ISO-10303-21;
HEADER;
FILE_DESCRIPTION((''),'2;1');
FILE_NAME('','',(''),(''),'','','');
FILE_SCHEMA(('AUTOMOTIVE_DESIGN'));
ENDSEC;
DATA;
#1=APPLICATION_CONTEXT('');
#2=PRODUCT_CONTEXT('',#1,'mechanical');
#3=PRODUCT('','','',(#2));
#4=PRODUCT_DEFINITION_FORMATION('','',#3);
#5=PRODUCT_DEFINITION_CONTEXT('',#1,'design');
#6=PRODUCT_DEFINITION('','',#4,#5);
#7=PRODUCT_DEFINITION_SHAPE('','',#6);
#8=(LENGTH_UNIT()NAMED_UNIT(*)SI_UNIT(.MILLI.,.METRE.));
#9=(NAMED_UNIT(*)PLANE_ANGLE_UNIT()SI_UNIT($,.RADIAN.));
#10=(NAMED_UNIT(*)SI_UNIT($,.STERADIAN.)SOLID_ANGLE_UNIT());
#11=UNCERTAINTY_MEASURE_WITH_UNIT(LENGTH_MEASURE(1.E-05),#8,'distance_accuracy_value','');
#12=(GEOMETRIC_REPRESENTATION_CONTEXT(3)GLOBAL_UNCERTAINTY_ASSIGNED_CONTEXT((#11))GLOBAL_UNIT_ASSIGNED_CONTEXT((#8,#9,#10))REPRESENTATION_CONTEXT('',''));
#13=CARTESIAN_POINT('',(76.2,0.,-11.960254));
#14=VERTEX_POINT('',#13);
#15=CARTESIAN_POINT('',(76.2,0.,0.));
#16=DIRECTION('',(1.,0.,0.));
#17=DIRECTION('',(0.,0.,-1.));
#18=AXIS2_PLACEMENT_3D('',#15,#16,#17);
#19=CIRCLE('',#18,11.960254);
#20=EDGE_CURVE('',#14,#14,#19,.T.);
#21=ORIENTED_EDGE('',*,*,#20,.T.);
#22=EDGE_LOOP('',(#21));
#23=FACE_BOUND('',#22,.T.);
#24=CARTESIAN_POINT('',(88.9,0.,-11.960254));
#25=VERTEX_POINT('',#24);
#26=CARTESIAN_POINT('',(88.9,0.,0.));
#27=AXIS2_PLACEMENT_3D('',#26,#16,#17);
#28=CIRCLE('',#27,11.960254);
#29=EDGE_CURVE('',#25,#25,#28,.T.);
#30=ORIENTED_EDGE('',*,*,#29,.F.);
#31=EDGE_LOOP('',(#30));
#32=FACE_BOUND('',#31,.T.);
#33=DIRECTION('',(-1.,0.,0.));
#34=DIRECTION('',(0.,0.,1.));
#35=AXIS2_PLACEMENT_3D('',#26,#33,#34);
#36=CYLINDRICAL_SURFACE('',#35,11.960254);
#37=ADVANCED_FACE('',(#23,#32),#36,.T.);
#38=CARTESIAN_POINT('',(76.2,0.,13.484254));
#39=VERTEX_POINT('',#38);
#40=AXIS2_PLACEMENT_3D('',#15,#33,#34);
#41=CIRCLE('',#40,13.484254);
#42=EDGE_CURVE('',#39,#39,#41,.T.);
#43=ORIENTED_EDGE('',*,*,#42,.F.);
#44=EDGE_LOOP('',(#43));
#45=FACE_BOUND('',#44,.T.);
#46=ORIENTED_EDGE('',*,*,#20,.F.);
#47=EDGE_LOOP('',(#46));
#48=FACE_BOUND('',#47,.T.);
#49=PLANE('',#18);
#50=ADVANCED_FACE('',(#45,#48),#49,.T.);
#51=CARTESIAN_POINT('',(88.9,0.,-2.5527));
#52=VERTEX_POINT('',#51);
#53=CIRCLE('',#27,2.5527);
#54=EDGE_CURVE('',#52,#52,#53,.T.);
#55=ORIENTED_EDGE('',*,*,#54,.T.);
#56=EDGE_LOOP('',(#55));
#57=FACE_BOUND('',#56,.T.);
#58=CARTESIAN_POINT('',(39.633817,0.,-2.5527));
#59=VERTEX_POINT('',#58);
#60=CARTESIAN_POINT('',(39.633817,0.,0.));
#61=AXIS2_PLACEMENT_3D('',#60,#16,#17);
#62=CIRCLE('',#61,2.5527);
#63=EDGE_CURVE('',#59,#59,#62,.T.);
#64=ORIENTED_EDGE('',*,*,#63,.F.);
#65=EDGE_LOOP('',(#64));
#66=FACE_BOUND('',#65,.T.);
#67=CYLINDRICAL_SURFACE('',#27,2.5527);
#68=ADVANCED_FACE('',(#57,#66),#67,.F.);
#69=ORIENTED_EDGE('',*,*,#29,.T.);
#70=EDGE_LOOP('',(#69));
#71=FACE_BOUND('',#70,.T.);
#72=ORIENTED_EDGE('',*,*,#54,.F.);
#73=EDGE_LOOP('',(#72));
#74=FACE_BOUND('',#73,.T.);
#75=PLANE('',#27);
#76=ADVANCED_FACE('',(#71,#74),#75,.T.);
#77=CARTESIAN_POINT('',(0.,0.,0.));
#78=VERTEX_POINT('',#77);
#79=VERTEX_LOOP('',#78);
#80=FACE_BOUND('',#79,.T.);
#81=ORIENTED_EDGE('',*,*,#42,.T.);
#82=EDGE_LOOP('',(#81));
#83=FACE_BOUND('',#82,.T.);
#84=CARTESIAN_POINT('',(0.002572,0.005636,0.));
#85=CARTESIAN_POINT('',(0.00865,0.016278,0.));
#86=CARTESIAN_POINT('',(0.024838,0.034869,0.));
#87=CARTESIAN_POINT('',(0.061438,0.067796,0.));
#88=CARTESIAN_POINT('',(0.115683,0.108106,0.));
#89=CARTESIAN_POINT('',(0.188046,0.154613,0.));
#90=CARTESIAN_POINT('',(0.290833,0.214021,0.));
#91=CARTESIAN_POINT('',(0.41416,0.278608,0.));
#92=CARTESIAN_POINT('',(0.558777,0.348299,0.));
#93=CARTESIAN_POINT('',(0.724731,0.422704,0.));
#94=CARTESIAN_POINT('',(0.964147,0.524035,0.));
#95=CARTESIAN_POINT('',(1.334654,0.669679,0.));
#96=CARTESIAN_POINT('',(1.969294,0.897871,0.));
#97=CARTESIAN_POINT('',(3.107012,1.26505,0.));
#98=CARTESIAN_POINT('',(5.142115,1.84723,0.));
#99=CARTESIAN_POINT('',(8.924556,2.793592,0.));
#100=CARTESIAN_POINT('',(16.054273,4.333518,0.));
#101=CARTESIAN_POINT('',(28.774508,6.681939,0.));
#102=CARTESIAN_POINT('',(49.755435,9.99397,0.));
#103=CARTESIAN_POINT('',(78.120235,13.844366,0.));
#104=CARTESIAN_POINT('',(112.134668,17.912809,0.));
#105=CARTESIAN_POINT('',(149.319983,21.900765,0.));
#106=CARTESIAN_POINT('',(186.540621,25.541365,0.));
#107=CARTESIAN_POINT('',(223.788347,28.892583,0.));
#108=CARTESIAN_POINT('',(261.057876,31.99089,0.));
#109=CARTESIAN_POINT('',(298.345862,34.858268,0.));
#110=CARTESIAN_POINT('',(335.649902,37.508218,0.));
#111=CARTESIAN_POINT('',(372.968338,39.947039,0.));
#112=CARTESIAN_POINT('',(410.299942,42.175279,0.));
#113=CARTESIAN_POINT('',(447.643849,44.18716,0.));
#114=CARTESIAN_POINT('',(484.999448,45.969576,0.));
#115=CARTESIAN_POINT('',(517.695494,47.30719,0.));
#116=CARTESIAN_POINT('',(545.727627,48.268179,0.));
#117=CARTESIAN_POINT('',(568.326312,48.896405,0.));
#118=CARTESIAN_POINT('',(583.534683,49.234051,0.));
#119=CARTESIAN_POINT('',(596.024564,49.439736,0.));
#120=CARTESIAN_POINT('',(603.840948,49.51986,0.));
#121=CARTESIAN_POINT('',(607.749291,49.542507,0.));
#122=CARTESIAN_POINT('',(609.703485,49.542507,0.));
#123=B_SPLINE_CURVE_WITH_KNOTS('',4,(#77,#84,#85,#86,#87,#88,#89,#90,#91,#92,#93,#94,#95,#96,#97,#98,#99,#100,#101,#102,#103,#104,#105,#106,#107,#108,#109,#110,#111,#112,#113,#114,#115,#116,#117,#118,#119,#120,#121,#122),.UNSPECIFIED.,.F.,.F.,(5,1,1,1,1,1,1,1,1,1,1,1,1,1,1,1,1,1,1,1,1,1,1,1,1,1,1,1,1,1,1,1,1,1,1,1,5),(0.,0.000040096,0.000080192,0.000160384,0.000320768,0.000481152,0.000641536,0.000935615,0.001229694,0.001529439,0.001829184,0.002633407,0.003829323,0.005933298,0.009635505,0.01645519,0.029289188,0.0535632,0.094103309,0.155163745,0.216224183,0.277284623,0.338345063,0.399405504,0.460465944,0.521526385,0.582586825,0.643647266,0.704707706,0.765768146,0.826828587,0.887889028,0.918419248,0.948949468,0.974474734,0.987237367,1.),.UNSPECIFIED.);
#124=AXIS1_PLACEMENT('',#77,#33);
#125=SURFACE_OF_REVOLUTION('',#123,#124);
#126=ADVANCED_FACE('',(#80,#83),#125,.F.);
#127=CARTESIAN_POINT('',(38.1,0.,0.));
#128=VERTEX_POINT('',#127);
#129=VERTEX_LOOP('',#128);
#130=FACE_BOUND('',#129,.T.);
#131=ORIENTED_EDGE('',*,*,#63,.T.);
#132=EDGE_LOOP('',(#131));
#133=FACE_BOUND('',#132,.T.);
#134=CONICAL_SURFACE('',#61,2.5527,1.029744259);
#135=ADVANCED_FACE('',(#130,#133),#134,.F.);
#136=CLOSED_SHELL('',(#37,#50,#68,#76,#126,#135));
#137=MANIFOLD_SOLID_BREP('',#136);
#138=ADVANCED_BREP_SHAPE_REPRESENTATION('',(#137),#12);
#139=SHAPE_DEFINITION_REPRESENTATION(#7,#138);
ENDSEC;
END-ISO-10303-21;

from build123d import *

# Parameters (mm, degrees)
SKETCH5_R                   = 11.960253633
BOSS_EXTRUDE1_DEPTH         = 12.7
F_1_4_20_TAPPED_HOLE2_D     = 5.1054
F_1_4_20_TAPPED_HOLE2_DEPTH = 49.266183098
F_1_4_20_TAPPED_HOLE2_TIP   = 1.533816902


with BuildPart() as part:
    # Sketch1 → Revolve1 (revolve)
    with BuildSketch(Plane.XY):
        with BuildLine():
            add(Edge.make_bspline(
                [(0, 0), (0.002571816, 0.005636479), (0.008650277, 0.016277868), (0.02483848, 0.034868542), (0.061438442, 0.067796346), (0.11568342, 0.108106243), (0.188045788, 0.154613181), (0.290833284, 0.214020736), (0.414160493, 0.278607766), (0.558777254, 0.348299144), (0.724730868, 0.422703949), (0.964147345, 0.524034824), (1.334653554, 0.66967944), (1.969293614, 0.897871425), (3.107012354, 1.265050336), (5.14211507, 1.847230264), (8.924556038, 2.793592314), (16.054272938, 4.333517796), (28.77450762, 6.681938646), (45.431814311, 9.311446564), (60.183738769, 11.387854186), (71.267871222, 12.850291408), (76.2, 13.484253633)],
                knots=[0, 0, 0, 0, 0, 4.0096e-05, 8.0192e-05, 0.000160384, 0.000320768, 0.000481152, 0.000641536, 0.000935615, 0.001229694, 0.001529439, 0.001829184, 0.002633407, 0.003829323, 0.005933298, 0.009635505, 0.01645519, 0.029289188, 0.0535632, 0.094103309, 0.126579539, 0.126579539, 0.126579539, 0.126579539, 0.126579539], degree=4))
            Line((0, 0), (4.243228297, 0))
            Line((4.243228297, 0), (76.2, 0))
            Line((76.2, 0), (76.2, 11.947705801))
            Line((76.2, 11.947705801), (76.2, 13.484253633))
        make_face()
    revolve(axis=Axis((0, 0, 0), (1, 0, 0)))

    # Sketch5 → Boss-Extrude1 (add)
    with BuildSketch(Plane(origin=(76.2, 0, 0), x_dir=(0, 0, -1), z_dir=(1, 0, 0))):
        Circle(SKETCH5_R)
    extrude(amount=BOSS_EXTRUDE1_DEPTH)

    # 1/4-20 Tapped Hole2
    with Locations(Plane(origin=(88.9, 0, 0), x_dir=(0, 0, -1), z_dir=(1, 0, 0))):
        with Locations((0, 0)):
            Hole(F_1_4_20_TAPPED_HOLE2_D / 2, depth=F_1_4_20_TAPPED_HOLE2_DEPTH)
            with Locations((0, 0, -(F_1_4_20_TAPPED_HOLE2_DEPTH + F_1_4_20_TAPPED_HOLE2_TIP / 2))):  # 118° drill point
                Cone(0, F_1_4_20_TAPPED_HOLE2_D / 2, F_1_4_20_TAPPED_HOLE2_TIP, mode=Mode.SUBTRACT)


solid = part.part
